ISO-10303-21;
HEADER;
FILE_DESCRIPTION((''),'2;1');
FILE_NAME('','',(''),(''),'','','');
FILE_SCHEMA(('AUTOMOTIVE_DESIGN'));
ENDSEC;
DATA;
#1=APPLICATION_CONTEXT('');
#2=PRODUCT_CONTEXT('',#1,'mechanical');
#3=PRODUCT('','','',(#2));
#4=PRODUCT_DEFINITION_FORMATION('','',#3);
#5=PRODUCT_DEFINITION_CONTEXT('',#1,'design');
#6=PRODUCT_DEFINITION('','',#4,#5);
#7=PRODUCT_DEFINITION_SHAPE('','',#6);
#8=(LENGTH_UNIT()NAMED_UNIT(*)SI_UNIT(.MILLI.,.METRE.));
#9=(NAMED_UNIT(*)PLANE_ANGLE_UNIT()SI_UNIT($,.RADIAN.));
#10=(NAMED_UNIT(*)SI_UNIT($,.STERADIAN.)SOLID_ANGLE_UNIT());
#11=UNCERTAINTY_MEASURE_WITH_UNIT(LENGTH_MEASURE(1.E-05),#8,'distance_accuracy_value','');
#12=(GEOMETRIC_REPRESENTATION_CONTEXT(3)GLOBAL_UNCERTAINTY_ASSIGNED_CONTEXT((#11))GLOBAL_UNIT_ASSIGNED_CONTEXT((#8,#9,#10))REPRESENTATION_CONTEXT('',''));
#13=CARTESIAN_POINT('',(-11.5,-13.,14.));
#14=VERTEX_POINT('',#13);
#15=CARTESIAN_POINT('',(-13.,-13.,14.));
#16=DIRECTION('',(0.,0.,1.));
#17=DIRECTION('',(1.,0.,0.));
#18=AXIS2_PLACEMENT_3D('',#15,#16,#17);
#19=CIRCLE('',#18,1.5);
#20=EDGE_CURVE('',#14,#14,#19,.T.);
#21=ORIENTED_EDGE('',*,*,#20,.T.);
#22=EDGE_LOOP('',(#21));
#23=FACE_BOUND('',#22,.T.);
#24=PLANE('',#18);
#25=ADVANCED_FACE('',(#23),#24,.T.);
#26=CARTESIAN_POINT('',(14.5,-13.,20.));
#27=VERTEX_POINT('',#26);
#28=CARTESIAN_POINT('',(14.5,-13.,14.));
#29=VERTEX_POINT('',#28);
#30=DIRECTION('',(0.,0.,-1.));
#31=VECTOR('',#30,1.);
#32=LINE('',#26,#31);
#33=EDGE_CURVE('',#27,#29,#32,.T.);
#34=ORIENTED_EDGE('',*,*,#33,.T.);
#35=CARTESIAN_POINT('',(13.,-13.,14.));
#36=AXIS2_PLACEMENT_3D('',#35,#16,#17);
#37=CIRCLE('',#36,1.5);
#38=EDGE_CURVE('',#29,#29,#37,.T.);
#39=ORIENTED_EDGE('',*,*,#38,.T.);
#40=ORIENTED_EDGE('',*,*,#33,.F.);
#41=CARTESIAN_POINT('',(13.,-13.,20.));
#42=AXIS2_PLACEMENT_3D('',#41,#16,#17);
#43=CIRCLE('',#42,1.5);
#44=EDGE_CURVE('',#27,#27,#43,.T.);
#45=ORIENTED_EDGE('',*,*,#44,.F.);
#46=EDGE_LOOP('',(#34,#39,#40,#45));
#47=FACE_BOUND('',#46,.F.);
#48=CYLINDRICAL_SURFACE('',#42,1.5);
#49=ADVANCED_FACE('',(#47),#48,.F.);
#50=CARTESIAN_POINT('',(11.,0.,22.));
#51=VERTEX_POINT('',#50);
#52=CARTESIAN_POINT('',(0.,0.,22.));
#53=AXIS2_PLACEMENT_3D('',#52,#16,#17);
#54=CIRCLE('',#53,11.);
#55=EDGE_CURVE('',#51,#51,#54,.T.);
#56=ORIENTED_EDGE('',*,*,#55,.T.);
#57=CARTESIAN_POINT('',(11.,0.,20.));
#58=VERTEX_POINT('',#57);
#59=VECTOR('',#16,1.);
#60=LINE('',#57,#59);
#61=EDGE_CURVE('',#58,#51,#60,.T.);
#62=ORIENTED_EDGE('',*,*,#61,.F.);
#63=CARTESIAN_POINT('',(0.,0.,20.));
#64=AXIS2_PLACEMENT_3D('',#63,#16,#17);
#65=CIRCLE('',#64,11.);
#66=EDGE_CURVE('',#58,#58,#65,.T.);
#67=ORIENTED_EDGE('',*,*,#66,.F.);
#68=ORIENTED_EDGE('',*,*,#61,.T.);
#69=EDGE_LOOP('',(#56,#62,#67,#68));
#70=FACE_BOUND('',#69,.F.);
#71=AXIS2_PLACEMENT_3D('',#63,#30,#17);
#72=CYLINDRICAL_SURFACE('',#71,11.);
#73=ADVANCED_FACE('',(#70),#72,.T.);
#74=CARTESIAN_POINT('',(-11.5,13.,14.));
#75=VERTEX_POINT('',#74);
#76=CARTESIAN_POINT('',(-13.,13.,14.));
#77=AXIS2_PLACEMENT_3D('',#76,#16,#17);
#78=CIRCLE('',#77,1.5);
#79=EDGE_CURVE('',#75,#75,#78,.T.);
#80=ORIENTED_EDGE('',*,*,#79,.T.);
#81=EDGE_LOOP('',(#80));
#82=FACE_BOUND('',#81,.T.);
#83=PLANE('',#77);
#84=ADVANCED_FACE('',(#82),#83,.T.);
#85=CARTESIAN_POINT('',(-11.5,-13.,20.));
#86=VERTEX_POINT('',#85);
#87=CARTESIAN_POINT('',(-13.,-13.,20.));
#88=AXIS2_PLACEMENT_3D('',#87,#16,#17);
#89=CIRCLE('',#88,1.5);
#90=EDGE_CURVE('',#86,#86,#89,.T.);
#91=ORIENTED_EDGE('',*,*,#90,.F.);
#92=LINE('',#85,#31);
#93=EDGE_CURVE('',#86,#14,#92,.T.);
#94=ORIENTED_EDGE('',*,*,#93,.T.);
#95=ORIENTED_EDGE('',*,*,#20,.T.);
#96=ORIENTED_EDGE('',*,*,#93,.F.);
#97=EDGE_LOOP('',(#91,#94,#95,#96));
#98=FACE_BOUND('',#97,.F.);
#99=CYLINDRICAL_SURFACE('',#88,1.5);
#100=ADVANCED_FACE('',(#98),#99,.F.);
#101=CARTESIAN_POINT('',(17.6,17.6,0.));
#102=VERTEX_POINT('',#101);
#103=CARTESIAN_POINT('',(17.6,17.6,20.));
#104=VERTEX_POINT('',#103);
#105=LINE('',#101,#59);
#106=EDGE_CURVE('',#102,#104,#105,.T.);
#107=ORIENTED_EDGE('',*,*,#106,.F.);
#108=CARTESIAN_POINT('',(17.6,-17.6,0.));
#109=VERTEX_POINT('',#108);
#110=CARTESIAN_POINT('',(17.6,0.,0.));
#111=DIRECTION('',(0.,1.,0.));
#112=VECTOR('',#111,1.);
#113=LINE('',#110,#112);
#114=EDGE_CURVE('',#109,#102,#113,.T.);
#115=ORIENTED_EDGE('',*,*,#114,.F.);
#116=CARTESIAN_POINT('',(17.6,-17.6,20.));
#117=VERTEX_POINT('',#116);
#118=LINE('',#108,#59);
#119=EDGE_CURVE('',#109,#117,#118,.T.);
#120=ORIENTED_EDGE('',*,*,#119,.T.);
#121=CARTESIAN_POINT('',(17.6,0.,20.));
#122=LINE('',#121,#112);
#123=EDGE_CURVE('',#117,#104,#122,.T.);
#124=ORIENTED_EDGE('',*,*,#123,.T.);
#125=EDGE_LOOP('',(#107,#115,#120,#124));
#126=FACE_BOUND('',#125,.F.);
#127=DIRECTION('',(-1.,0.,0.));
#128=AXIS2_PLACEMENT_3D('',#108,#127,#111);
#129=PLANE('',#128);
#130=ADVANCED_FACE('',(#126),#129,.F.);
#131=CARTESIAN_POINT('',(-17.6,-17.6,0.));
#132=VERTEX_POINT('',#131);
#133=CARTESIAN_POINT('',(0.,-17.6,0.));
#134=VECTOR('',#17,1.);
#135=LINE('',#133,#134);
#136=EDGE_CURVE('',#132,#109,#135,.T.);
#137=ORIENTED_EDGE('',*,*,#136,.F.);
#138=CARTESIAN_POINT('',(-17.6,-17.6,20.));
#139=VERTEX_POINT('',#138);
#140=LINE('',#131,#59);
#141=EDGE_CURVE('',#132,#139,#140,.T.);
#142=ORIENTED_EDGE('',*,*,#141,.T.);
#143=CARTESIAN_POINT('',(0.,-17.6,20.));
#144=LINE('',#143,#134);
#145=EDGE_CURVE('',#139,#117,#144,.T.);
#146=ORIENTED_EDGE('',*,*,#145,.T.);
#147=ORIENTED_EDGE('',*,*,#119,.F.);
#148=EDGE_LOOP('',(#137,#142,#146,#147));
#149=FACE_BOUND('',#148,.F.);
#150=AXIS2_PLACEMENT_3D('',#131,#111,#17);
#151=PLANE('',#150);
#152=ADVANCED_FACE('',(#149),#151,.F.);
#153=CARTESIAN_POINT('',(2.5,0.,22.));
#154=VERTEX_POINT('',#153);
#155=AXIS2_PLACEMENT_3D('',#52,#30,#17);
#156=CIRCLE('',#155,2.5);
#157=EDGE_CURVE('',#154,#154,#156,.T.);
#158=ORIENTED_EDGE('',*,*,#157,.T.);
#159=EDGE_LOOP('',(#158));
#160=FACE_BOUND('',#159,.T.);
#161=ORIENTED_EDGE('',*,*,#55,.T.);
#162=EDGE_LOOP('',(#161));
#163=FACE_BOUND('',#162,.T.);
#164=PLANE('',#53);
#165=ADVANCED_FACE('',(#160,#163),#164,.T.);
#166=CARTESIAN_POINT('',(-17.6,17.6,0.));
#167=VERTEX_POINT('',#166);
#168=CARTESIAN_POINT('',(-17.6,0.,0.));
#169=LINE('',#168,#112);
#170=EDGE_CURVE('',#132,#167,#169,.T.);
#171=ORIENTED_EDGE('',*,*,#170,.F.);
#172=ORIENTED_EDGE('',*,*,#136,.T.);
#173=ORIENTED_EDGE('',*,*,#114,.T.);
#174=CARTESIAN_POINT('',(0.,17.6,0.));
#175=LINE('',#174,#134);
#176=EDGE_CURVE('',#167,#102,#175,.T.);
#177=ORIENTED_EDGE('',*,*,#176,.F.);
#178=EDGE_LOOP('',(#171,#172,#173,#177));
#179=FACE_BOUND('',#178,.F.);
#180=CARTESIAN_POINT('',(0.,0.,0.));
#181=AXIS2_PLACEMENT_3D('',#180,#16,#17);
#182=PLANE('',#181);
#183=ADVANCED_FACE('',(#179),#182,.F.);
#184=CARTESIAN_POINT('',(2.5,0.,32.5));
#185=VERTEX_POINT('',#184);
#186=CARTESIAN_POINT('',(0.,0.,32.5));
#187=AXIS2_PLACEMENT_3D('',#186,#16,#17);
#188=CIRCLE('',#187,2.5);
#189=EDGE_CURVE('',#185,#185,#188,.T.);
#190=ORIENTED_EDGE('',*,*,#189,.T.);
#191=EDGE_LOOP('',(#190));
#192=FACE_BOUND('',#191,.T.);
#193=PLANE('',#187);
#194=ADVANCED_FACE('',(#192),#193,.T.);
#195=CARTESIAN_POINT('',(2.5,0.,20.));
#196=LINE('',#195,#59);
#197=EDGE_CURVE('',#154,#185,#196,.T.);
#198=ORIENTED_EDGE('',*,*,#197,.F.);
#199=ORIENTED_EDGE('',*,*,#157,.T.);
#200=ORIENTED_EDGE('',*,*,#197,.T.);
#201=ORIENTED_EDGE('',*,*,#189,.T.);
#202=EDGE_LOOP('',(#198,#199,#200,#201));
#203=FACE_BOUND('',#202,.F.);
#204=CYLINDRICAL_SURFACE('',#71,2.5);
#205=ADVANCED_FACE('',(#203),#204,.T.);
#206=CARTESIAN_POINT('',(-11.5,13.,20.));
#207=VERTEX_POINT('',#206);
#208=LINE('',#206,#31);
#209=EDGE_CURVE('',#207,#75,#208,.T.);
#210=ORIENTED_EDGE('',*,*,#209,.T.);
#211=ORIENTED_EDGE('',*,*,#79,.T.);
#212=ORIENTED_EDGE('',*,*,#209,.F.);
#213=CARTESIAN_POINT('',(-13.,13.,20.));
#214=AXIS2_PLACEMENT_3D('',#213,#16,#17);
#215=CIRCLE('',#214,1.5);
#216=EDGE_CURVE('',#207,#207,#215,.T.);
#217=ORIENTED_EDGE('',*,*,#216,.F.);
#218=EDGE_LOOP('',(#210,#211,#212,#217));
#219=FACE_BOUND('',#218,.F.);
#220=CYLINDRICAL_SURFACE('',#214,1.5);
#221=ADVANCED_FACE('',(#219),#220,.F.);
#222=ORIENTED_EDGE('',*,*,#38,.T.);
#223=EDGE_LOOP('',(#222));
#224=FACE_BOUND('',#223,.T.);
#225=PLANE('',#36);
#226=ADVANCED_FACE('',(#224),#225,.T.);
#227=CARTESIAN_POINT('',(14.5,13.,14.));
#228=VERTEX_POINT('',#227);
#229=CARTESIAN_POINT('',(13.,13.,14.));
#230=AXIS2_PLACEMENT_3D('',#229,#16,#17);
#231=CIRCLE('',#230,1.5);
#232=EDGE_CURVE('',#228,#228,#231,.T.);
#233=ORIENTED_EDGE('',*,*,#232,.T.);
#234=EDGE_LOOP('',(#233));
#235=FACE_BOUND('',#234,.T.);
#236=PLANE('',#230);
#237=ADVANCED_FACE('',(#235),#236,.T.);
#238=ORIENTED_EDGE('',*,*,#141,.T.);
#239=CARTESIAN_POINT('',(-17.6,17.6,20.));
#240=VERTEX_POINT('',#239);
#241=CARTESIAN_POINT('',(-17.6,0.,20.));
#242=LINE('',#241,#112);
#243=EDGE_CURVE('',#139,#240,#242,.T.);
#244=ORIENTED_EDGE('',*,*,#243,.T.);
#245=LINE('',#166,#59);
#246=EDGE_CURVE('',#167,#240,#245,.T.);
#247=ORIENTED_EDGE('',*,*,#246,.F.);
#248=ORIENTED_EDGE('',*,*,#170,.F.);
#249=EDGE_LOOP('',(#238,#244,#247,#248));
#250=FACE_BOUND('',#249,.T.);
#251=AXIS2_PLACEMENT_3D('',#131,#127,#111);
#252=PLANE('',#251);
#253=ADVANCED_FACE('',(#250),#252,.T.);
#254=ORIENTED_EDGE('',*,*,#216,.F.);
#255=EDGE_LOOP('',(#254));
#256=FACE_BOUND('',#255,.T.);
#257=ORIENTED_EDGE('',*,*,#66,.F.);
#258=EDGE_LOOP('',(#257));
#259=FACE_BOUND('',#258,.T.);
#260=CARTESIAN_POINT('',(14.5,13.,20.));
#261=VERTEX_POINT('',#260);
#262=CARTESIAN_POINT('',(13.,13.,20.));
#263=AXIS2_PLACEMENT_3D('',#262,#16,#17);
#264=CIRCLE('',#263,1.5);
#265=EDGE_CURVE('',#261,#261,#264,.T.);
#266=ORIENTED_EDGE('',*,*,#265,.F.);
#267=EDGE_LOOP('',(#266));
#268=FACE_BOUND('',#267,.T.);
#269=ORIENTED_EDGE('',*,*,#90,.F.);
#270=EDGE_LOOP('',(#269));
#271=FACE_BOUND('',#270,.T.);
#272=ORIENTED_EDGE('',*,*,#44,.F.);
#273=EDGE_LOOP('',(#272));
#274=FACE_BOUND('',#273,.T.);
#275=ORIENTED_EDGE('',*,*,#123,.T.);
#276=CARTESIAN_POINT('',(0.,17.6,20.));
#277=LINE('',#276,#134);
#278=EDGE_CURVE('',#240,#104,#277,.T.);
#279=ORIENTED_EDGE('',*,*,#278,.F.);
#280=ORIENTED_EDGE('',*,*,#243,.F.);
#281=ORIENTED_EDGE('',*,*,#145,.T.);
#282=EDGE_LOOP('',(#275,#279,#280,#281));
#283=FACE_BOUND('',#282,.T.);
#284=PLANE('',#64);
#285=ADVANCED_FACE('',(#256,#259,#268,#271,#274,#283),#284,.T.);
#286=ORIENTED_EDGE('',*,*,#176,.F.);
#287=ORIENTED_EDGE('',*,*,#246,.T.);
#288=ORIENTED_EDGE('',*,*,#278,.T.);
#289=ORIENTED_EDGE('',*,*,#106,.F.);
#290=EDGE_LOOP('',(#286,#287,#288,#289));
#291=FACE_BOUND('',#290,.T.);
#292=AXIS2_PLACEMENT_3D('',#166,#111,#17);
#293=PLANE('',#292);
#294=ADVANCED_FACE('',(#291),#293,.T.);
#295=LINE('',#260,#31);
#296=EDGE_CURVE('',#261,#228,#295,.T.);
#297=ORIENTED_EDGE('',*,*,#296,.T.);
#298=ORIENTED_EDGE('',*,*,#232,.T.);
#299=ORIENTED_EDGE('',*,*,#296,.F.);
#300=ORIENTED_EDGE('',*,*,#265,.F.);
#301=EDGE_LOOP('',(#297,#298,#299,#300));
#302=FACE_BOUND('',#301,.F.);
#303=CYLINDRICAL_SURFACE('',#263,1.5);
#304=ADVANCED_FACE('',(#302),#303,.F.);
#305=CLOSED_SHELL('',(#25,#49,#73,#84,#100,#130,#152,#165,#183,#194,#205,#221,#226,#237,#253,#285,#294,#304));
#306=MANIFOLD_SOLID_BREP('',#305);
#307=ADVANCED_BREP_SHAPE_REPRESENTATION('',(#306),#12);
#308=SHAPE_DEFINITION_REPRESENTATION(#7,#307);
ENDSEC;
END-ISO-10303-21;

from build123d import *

# Parameters (mm, degrees)
F0_W     = 35.2
F0_H     = 35.2
F1_DEPTH = 20
F2_R     = 11
F3_DEPTH = 2
F4_R     = 2.5
F5_DEPTH = 12.5
F6_R     = 1.5
F7_DEPTH = 6


with BuildPart() as f1:
    # F0 (on Top) → F1 (new body)
    with BuildSketch(Plane.XY):
        Rectangle(F0_W, F0_H)
    extrude(amount=F1_DEPTH)

    # F2 (on face) → F3 (join)
    with BuildSketch(Plane.XY.offset(20)):
        Circle(F2_R)
    extrude(amount=F3_DEPTH)

    # F4 (on face) → F5 (join)
    with BuildSketch(Plane.XY.offset(20)):
        Circle(F4_R)
    extrude(amount=F5_DEPTH)

    # F6 (on face) → F7 (cut)
    with BuildSketch(Plane.XY.offset(20)):
        with Locations((-13, 13)):
            Circle(F6_R)
        with Locations((13, 13)):
            Circle(F6_R)
        with Locations((-13, -13)):
            Circle(F6_R)
        with Locations((13, -13)):
            Circle(F6_R)
    extrude(amount=-F7_DEPTH, mode=Mode.SUBTRACT)


solid = f1.part
